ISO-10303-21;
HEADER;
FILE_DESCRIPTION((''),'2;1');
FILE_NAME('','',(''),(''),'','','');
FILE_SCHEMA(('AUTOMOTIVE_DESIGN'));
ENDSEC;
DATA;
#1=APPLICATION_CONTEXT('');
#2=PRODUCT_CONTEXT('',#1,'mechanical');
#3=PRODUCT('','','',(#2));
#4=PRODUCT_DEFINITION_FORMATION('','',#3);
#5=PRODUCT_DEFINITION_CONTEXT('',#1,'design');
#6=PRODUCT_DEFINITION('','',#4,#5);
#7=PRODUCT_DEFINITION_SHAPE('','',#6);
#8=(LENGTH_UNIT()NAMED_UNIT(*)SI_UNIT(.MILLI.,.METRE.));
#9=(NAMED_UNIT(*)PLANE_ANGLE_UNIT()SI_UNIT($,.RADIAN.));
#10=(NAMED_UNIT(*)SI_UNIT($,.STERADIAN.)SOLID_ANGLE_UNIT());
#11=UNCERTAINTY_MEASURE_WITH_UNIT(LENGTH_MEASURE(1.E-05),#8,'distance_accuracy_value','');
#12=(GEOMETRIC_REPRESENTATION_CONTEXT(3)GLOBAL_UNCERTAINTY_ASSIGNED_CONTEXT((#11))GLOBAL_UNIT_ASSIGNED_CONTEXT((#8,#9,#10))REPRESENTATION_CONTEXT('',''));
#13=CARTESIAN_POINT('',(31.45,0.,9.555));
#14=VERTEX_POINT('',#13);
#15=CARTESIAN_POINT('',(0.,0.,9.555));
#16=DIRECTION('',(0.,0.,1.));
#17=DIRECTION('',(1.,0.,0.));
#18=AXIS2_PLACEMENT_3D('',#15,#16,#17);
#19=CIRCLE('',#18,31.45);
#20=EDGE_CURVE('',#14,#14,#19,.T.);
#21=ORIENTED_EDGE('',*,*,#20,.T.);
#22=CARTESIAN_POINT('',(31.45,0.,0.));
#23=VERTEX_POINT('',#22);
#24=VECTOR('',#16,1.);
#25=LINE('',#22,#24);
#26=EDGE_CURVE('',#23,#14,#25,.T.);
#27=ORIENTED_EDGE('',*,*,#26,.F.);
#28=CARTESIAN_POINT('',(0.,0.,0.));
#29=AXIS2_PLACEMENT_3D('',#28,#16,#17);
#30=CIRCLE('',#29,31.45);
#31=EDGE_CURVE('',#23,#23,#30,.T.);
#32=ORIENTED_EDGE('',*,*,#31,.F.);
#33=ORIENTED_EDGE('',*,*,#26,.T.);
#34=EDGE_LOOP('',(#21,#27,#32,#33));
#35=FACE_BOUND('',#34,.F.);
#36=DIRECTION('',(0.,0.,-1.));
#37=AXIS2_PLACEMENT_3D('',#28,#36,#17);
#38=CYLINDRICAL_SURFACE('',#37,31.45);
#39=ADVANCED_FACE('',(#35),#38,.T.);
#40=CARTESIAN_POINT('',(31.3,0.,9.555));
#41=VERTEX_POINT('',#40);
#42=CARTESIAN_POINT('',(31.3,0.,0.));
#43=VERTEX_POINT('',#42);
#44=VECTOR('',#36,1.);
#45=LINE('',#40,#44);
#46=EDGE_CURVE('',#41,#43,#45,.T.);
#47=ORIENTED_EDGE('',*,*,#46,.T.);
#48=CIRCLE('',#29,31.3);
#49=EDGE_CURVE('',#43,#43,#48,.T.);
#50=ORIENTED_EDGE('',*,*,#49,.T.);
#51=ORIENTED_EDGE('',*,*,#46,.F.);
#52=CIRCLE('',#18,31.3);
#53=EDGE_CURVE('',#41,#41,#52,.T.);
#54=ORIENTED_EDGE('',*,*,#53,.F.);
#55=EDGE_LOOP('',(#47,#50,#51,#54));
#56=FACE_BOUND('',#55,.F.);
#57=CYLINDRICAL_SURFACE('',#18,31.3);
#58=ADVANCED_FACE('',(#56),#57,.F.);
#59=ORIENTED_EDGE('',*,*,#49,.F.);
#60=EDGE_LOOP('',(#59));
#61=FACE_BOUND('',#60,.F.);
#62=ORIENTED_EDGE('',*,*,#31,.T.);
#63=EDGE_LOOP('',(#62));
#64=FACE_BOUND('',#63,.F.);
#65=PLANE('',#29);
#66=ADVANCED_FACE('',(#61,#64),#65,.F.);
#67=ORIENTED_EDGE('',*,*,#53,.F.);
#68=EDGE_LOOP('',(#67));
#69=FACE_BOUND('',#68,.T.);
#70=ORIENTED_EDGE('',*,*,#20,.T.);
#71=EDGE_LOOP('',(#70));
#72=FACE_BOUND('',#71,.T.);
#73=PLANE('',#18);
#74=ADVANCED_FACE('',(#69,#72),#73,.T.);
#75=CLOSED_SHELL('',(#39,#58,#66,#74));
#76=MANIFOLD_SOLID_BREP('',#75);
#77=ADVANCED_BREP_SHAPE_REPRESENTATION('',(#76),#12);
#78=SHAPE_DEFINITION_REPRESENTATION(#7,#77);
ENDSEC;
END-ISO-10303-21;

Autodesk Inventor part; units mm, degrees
ref_plane "YZ Plane" through (0, 0, 0) normal (1, 0, 0) x (0, 1, 0)
ref_plane "XZ Plane" through (0, 0, 0) normal (0, 1, 0) x (-1, 0, 0)
ref_plane "XY Plane" through (0, 0, 0) normal (0, 0, 1) x (1, 0, 0)
sketch "Sketch1" plane through (0, 0, 0) normal (0, 0, 1) x (1, 0, 0)
  circle A0 centre (0, 0) radius 31.45
  dimension "d0" = 62.9
extrude "Extrusion1" add sketch "Sketch1" along normal blind 9.555
sketch "Sketch2" plane through (0, 0, 9.555) normal (0, 0, 1) x (1, 0, 0)
  point P0 (0, 0)
sketch "Sketch3" plane through (0, 0, 9.555) normal (0, 0, 1) x (1, 0, 0)
  circle A0 centre (0, 0) radius 31.3
  dimension "d3" = 62.6
extrude "Extrusion2" cut sketch "Sketch3" against normal through all
properties part number "BNG_REV_00_4"
